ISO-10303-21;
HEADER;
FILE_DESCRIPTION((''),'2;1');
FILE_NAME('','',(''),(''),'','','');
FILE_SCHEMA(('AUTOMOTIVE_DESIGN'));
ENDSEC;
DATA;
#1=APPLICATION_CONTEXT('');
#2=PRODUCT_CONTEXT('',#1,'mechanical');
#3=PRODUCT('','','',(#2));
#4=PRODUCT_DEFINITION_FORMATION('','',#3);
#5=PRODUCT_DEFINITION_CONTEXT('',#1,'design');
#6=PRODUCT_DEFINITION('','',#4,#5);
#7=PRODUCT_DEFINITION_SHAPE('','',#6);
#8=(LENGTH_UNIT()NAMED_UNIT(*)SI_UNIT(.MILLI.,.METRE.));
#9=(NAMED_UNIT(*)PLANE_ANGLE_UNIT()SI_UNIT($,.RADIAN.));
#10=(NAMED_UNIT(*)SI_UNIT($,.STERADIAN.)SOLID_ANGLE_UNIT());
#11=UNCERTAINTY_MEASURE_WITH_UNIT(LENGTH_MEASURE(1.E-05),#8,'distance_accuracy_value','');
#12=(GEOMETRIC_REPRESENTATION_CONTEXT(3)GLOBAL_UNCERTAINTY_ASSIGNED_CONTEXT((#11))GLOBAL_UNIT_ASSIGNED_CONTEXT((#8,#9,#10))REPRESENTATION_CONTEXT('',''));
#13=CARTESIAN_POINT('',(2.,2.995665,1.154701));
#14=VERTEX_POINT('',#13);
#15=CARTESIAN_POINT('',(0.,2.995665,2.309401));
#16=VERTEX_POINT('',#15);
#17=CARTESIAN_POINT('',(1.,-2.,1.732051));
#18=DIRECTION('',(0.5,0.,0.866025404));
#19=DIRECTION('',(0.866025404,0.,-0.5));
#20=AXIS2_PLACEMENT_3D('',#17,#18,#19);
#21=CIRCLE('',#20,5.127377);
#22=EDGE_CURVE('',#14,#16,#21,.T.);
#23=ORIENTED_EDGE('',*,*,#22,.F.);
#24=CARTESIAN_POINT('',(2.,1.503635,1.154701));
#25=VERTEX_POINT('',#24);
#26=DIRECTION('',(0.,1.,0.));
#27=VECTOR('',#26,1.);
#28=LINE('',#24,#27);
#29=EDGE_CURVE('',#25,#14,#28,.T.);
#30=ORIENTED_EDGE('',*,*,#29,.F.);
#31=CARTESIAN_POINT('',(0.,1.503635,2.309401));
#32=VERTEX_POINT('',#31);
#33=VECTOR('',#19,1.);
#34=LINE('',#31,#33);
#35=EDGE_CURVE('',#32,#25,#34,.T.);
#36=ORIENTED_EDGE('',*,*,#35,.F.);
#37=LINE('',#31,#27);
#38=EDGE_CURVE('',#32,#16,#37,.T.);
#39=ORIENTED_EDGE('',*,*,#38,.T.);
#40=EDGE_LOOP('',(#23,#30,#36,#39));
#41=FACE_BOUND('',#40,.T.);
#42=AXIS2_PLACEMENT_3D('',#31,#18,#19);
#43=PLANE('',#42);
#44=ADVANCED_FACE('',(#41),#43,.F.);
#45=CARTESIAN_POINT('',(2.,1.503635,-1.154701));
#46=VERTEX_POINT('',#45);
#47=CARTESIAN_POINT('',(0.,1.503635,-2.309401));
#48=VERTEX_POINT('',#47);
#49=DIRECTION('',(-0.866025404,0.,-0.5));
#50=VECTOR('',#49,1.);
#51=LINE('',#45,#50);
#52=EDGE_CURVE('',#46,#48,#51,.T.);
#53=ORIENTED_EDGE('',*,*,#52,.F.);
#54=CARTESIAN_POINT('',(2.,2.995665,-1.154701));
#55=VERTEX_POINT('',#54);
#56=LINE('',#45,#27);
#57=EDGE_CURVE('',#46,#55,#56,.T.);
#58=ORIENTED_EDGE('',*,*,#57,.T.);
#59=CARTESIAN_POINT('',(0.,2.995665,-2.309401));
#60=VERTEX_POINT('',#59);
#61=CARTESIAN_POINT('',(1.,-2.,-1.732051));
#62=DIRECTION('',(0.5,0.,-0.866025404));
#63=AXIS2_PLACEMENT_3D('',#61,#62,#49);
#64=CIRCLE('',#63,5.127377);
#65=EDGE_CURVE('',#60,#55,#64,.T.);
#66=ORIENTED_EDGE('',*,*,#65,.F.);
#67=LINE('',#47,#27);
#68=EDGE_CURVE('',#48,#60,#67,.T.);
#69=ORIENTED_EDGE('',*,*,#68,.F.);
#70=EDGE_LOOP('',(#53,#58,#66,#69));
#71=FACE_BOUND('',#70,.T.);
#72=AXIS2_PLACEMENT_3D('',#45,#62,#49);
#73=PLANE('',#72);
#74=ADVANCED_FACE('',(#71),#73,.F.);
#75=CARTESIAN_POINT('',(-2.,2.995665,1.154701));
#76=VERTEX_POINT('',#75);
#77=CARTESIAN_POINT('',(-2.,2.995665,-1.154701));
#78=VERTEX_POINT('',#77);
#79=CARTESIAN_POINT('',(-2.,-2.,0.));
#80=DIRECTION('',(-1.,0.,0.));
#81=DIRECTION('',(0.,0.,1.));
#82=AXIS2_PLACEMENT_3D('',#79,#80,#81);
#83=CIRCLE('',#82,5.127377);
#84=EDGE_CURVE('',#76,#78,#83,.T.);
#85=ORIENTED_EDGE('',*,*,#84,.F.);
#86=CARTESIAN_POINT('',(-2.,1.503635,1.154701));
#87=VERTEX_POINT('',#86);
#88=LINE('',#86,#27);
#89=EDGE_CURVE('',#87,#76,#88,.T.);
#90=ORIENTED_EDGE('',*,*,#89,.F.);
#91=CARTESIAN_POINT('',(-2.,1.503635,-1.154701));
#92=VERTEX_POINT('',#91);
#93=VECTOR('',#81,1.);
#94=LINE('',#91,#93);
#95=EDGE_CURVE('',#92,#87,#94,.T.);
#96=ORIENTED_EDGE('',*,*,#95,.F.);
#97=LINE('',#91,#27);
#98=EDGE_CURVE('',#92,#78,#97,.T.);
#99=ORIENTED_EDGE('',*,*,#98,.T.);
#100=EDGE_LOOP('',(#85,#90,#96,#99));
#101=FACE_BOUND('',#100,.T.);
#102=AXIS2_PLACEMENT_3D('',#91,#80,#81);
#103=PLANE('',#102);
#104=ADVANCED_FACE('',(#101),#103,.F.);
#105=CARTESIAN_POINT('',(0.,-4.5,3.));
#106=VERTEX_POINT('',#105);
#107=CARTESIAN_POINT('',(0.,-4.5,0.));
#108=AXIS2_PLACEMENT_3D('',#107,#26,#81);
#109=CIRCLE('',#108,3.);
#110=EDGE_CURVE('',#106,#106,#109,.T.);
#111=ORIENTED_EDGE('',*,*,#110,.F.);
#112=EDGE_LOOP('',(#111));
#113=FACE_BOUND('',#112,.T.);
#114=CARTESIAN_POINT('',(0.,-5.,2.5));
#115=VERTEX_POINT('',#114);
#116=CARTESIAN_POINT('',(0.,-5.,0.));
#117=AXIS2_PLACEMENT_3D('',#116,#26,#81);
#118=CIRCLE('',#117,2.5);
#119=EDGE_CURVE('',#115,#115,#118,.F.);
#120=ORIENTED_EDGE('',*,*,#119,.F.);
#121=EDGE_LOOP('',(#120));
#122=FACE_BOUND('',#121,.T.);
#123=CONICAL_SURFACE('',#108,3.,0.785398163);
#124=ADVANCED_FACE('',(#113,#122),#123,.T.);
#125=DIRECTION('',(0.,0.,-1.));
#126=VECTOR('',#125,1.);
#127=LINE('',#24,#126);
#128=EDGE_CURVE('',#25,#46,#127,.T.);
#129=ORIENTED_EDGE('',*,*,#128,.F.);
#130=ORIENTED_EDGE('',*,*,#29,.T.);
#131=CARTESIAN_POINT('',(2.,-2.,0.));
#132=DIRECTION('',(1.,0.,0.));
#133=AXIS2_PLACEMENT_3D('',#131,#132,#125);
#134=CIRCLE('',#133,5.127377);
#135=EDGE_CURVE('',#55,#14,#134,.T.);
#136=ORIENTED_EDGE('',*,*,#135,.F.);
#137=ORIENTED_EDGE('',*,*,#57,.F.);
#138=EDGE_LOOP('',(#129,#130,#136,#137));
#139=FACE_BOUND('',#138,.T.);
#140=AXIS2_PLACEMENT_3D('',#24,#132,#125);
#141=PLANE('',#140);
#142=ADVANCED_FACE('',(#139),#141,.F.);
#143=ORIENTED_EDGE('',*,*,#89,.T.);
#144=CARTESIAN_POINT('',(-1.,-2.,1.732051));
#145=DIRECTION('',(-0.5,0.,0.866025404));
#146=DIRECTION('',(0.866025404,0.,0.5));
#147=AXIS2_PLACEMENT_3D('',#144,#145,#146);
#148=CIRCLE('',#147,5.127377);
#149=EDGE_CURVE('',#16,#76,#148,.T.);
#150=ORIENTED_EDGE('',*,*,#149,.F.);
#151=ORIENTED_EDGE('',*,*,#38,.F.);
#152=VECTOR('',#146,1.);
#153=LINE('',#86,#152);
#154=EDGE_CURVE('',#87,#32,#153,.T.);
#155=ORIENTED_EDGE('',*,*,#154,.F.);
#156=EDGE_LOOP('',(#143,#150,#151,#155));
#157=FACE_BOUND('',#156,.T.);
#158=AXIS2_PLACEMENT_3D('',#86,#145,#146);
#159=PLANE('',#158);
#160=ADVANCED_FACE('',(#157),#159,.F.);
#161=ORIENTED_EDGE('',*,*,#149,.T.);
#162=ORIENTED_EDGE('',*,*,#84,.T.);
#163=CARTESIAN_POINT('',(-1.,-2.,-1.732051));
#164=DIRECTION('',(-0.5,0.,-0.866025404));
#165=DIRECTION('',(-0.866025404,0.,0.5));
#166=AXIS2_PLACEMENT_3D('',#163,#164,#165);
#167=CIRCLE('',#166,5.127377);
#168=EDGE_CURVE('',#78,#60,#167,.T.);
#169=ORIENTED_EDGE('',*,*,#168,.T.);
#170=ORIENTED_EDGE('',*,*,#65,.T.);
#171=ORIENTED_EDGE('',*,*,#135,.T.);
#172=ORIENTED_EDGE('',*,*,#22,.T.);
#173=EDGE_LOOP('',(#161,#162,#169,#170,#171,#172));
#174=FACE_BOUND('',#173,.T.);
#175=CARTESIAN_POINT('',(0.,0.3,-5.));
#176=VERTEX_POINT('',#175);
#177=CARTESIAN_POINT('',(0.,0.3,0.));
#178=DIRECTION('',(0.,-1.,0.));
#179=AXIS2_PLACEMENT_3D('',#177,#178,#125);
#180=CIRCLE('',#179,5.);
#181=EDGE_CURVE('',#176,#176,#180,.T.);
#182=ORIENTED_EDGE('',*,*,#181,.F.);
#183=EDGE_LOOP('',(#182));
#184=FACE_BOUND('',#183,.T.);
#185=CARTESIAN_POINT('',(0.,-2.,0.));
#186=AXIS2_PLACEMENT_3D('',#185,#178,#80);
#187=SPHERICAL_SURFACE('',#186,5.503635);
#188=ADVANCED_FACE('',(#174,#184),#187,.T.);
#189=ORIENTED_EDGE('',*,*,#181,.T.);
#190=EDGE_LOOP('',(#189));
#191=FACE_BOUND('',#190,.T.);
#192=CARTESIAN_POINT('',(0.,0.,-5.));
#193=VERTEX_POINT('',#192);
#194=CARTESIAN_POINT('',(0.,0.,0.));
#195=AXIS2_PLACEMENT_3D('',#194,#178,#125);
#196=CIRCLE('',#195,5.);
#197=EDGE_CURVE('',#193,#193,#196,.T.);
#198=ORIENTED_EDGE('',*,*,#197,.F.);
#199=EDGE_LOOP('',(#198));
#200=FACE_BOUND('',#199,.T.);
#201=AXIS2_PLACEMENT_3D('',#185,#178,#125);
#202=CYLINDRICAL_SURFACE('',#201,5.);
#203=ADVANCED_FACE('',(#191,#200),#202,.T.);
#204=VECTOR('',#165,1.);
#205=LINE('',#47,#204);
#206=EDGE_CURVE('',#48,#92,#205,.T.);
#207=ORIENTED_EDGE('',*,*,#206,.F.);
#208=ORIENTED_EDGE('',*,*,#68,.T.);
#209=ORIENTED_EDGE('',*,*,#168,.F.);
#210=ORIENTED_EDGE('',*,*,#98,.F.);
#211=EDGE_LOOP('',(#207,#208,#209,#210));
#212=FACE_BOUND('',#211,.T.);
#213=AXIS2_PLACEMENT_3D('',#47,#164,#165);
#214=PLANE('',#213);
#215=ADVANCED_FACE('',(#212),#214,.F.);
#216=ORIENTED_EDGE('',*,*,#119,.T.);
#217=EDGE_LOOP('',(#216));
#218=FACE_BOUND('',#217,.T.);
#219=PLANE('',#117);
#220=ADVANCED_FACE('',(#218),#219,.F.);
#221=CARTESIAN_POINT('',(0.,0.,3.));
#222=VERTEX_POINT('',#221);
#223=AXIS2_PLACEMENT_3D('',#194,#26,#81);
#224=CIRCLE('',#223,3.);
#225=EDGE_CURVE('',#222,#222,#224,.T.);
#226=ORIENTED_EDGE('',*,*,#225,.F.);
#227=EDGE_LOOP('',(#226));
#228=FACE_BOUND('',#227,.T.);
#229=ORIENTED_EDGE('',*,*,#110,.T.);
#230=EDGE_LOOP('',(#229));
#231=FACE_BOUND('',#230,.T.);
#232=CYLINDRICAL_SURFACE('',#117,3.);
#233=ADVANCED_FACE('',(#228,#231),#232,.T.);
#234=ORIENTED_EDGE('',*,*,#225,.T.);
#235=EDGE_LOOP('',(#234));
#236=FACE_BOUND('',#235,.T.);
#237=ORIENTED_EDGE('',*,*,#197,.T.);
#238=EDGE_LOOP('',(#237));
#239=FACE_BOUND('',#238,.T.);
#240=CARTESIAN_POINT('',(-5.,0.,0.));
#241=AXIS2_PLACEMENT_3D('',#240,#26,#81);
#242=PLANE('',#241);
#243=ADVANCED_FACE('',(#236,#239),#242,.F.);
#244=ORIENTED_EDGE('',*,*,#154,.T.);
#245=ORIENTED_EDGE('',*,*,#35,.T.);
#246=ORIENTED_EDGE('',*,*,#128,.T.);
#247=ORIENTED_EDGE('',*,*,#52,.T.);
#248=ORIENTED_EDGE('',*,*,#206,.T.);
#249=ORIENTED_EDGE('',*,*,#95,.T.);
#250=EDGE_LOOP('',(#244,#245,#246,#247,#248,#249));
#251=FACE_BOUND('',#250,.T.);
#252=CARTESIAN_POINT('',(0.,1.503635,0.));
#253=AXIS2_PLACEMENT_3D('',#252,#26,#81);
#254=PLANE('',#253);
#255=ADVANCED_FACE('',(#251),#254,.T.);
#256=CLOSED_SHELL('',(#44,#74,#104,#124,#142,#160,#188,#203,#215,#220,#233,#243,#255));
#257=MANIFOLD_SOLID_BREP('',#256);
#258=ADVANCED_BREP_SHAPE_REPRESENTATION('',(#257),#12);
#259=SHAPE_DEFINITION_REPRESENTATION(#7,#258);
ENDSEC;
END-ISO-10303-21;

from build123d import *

# Parameters (mm, degrees)
SKETCH1_R           = 3
BOSS_EXTRUDE3_DEPTH = 5
CHAMFER2_SIZE       = 0.5
CUT_EXTRUDE2_DEPTH  = 2


with BuildPart() as part:
    # Sketch1 → Boss-Extrude3 (new body)
    with BuildSketch(Plane(origin=(0, 0, 0), x_dir=(1, 0, 0), z_dir=(0, 1, 0))):
        Circle(SKETCH1_R)
    extrude(amount=-BOSS_EXTRUDE3_DEPTH)

    # Sketch3 → Revolve2 (revolve)
    with BuildSketch(Plane.XY):
        with BuildLine():
            Line((-5, 0), (-5, 0.3))
            ThreePointArc((-5, 0.3), (-2.969144584, 2.634024216), (0, 3.503635162))
            Line((0, 3.503635162), (0, 0))
            Line((0, 0), (-5, 0))
        make_face()
    revolve(axis=Axis((0, -2, 0), (0, 1, 0)))

    # Chamfer2
    chamfer2_edges = [part.edges().sort_by_distance(p)[0] for p in [
        (-3, -5, 0),
    ]]
    chamfer(chamfer2_edges, length=CHAMFER2_SIZE)

    # Sketch4 → Cut-Extrude2 (cut)
    with BuildSketch(Plane(origin=(0, 3.503635162, 0), x_dir=(1, 0, 0), z_dir=(0, 1, 0))):
        Polygon((0, 2.309401077), (-2, 1.154700538), (-2, -1.154700538), (0, -2.309401077), (2, -1.154700538), (2, 1.154700538), align=None)
    extrude(amount=-CUT_EXTRUDE2_DEPTH, mode=Mode.SUBTRACT)


solid = part.part
